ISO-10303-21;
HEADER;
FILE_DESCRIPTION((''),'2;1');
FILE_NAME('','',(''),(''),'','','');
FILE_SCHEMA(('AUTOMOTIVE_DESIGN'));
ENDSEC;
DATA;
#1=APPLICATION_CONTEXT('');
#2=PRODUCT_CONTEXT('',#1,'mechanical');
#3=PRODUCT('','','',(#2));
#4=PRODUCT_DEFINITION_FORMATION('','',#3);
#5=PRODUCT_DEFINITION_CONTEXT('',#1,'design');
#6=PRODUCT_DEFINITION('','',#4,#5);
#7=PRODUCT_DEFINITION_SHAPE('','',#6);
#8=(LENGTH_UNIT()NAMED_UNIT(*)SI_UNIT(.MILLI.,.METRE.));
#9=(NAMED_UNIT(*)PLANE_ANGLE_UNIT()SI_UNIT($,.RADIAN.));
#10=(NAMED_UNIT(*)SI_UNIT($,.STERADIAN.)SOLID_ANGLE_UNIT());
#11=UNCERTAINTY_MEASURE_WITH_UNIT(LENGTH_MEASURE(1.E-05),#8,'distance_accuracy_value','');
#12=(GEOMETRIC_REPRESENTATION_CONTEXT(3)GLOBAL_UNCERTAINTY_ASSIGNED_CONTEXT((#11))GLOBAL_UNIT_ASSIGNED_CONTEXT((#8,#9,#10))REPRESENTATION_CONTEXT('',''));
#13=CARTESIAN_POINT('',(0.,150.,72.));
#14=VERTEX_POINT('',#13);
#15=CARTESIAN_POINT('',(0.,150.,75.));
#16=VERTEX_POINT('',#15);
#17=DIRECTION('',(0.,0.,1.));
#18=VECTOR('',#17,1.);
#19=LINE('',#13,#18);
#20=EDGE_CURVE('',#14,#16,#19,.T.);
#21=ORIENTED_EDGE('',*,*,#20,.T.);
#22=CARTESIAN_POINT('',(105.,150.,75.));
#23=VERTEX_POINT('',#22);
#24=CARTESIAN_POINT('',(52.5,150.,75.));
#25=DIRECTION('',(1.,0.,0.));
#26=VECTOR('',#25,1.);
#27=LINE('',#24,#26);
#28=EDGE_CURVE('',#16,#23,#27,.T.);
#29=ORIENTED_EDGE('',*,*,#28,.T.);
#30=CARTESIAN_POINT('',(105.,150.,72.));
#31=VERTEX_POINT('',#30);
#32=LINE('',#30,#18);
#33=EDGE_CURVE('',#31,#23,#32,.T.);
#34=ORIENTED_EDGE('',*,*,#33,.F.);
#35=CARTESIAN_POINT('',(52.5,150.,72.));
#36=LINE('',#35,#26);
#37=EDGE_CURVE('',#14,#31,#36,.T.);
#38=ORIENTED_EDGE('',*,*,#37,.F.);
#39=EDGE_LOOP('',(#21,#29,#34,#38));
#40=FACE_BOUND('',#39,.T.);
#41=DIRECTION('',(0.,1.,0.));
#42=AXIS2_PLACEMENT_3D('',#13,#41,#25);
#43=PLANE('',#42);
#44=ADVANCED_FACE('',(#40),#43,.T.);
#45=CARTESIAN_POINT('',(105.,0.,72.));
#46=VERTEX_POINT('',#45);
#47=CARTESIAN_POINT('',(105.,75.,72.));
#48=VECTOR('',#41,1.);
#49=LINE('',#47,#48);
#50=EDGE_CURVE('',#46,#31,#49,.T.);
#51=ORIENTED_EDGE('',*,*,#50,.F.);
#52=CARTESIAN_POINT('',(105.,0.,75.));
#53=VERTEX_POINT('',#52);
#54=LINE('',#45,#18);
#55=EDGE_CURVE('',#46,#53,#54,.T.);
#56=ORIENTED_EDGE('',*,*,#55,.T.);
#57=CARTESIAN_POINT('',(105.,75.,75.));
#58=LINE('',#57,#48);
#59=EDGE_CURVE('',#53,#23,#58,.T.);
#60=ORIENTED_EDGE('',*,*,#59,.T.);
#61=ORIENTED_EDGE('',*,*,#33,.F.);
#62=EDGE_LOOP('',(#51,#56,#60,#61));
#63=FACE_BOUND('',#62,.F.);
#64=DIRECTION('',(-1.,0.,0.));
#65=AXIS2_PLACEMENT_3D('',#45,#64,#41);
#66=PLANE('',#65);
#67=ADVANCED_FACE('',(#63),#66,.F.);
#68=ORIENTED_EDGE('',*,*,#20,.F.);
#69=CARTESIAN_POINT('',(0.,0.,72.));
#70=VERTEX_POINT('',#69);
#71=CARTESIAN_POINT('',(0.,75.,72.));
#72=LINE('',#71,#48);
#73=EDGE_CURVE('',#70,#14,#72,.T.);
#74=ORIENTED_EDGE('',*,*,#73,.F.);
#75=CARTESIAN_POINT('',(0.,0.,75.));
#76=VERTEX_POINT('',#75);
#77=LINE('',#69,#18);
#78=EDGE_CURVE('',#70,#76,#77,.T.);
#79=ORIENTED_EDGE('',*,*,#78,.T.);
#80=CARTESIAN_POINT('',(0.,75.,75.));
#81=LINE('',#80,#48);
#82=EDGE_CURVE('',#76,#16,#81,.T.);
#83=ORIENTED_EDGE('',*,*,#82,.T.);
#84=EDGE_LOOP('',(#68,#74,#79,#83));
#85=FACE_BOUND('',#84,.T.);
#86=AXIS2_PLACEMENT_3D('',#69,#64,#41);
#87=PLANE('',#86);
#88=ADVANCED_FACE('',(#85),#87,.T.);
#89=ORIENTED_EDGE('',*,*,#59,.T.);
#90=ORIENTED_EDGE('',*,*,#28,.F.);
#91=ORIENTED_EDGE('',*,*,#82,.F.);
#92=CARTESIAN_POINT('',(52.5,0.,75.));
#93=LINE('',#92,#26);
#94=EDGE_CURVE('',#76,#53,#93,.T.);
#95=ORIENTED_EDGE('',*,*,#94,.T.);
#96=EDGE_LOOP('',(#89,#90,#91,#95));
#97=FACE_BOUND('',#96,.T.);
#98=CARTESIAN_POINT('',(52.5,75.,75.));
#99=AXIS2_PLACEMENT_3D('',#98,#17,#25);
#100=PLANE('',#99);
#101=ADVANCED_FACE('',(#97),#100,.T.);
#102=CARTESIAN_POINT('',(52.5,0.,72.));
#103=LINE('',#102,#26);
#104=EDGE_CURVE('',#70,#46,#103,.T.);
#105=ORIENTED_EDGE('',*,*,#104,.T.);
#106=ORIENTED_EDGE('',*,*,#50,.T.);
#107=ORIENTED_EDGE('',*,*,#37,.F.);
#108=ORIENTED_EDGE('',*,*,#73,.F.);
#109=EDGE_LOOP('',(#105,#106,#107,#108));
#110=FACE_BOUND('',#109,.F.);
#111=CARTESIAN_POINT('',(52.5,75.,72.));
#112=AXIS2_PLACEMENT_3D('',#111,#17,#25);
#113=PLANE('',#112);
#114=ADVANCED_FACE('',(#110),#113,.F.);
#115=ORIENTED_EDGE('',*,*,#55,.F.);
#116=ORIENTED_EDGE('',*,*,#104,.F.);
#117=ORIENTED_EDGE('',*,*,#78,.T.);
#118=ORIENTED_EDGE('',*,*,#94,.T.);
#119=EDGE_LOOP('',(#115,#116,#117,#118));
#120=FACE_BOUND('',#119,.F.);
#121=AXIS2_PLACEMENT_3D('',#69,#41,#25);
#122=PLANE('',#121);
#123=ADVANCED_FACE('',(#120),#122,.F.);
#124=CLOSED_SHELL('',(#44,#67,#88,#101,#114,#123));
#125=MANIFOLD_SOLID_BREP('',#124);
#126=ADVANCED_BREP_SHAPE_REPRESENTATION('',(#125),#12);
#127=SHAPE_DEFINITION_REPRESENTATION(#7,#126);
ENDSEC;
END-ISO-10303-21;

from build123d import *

# Parameters (mm, degrees)
BOX004_W     = 100
BOX004_H     = 145
BOX004_DEPTH = 70
BOX005_W     = 105
BOX005_H     = 150
BOX005_DEPTH = 3


with BuildPart() as cubo004:
    # Box004 → Box004 (new body)
    with BuildSketch(Plane(origin=(2.5, 2.5, 3), x_dir=(1, 0, 0), z_dir=(0, 0, 1))):
        with Locations((50, 72.5)):
            Rectangle(BOX004_W, BOX004_H)
    extrude(amount=BOX004_DEPTH)


with BuildPart() as caja002:
    # Box005 → Box005 (new body)
    with BuildSketch(Plane.XY):
        with Locations((52.5, 75)):
            Rectangle(BOX005_W, BOX005_H)
    extrude(amount=BOX005_DEPTH)

    # Cut007: cut Cubo004
    add(cubo004.part, mode=Mode.SUBTRACT)


with BuildPart() as caja002_1:
    # Cut007 placement: moved
    add(caja002.part.moved(Location((0, 0, 72))))


solid = caja002_1.part
